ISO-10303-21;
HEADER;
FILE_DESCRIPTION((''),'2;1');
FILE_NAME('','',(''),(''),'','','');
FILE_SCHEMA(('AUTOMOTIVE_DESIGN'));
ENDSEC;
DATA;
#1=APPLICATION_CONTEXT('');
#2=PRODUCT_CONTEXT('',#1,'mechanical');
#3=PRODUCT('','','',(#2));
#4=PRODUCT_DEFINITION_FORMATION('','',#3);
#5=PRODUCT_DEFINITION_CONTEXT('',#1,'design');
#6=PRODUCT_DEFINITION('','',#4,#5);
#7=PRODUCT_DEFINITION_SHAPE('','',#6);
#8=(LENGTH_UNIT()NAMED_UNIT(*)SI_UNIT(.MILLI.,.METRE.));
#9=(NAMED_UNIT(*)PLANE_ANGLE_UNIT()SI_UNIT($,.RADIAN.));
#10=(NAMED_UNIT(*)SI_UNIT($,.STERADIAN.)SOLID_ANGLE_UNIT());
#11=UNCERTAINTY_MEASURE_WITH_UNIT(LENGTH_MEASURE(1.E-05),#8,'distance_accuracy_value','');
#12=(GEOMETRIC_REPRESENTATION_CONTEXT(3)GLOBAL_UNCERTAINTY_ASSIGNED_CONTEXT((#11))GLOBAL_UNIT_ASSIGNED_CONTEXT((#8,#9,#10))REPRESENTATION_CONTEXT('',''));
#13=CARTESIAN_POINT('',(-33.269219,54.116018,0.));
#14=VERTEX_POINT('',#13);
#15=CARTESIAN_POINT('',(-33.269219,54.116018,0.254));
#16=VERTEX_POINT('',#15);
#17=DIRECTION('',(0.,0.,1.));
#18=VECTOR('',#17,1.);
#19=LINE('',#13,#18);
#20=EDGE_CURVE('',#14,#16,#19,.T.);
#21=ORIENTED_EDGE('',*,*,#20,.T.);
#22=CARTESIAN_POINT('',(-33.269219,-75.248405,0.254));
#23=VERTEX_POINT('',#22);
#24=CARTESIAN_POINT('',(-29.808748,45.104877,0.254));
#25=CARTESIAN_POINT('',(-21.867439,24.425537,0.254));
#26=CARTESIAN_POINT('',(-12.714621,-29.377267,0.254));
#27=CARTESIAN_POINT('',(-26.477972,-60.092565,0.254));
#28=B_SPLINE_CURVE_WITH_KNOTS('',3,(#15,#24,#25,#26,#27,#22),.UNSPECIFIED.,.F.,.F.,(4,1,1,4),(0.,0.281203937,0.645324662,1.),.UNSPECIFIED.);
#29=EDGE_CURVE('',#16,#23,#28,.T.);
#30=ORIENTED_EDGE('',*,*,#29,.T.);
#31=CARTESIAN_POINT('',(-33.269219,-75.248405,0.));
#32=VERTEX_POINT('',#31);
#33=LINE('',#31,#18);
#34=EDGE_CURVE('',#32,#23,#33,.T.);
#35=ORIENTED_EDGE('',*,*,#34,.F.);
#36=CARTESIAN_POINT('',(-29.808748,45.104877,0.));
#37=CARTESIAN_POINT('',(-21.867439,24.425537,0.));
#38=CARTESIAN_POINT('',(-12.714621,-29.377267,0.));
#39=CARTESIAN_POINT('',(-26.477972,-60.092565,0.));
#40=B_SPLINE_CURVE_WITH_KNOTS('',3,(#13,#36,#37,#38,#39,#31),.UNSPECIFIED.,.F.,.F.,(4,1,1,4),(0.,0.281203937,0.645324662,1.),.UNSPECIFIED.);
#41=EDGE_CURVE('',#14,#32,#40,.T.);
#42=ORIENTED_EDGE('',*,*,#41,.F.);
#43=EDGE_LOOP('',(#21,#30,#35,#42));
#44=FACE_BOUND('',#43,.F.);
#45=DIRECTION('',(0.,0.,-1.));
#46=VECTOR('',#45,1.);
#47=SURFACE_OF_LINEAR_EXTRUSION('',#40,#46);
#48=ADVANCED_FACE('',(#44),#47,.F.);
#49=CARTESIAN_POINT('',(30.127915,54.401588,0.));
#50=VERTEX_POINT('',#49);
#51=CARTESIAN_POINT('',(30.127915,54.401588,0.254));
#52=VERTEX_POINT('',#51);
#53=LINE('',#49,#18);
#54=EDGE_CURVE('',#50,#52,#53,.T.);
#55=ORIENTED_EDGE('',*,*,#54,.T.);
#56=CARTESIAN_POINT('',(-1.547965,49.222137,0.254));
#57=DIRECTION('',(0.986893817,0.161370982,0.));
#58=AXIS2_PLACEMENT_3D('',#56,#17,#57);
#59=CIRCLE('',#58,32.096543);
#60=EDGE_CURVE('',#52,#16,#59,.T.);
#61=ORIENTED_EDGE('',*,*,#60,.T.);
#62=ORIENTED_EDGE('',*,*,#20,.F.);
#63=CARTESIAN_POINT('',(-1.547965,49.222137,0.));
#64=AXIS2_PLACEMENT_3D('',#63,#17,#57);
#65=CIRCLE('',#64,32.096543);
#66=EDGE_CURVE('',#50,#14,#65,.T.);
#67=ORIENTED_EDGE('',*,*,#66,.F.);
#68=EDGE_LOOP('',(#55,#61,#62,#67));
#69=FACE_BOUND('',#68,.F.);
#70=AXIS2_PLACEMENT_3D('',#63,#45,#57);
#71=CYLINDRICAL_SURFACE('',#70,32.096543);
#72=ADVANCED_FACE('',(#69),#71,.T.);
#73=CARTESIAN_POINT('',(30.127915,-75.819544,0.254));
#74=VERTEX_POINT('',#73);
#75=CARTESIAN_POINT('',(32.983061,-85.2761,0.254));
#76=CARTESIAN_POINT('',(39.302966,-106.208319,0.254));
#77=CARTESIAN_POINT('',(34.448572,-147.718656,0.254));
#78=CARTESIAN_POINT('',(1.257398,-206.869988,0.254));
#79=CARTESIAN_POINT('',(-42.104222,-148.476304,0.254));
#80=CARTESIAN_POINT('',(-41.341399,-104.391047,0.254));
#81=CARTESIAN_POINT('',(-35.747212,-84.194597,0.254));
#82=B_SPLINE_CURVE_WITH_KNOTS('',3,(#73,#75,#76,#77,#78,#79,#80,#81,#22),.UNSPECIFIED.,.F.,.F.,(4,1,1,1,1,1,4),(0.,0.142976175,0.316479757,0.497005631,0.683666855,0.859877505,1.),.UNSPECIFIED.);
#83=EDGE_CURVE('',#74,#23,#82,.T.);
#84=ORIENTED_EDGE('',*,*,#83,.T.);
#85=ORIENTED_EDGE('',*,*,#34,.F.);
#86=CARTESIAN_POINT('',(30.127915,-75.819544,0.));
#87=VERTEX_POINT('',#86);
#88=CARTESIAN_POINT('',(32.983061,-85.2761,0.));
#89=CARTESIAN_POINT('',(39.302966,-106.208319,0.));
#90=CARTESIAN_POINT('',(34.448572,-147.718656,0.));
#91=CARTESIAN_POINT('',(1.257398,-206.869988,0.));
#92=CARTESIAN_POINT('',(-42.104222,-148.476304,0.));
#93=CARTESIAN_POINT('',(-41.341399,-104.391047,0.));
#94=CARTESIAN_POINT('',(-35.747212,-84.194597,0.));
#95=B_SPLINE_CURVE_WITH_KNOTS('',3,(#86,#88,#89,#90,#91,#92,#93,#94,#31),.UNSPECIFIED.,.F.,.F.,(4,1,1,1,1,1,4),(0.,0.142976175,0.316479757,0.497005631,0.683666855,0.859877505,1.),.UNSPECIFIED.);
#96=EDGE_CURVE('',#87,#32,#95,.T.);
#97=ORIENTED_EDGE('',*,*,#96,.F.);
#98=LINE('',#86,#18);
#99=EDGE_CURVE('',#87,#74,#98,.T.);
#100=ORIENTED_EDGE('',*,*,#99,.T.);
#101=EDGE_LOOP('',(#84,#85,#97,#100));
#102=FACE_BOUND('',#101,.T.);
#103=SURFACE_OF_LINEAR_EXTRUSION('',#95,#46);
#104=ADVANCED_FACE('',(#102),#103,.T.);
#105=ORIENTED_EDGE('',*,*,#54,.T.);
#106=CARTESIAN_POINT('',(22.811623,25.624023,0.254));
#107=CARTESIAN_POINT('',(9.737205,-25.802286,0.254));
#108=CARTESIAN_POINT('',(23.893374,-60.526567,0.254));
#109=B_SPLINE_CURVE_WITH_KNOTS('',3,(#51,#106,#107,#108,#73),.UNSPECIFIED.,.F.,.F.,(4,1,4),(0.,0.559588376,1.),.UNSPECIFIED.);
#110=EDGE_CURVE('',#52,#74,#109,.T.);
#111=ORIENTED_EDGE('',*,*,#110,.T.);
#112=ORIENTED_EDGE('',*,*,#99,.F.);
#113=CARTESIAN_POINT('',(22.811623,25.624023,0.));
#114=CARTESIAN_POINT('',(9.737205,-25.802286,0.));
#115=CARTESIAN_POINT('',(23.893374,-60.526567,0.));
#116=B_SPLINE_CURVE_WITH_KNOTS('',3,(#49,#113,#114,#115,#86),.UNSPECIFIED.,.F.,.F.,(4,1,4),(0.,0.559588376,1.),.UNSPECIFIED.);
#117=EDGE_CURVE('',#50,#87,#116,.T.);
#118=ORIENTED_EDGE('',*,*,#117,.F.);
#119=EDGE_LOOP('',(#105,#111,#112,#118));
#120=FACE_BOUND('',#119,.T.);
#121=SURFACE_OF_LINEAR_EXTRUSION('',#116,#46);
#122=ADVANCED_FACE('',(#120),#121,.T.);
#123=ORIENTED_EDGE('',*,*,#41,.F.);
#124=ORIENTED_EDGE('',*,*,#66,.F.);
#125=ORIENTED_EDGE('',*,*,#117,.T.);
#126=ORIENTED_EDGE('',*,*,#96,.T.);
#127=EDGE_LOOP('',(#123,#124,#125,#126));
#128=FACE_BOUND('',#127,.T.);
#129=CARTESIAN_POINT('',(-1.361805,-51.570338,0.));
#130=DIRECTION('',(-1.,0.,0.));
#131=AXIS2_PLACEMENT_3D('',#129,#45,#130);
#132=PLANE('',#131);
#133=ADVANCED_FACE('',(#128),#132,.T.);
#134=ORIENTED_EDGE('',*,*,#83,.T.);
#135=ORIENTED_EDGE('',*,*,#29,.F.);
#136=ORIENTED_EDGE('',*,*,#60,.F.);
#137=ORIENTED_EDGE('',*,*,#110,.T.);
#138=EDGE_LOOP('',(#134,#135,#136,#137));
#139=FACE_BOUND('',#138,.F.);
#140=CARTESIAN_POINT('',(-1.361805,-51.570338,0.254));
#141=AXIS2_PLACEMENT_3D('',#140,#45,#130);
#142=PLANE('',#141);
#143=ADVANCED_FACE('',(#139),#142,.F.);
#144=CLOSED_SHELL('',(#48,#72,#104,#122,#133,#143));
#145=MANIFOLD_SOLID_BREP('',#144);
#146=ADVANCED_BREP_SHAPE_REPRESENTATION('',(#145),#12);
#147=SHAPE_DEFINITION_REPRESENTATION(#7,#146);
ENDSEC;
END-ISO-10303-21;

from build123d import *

# Parameters (mm, degrees)
F1_DEPTH = 0.254


with BuildPart() as f1:
    # F0 (on Top) → F1 (new body)
    with BuildSketch(Plane.XY):
        with BuildLine():
            add(Edge.make_bspline(
                [(30.1279146224, 54.401587695), (22.8116225694, 25.6240228228), (9.7372050822, -25.8022863894), (23.8933735031, -60.5265674785), (30.1279146224, -75.8195444942)],
                knots=[0, 0, 0, 0, 0.5595883763, 1, 1, 1, 1], degree=3))
            ThreePointArc((30.1279146224, 54.401587695), (-1.6925407877, 81.3183540753), (-33.2692191005, 54.1160181165))
            add(Edge.make_bspline(
                [(-33.2692191005, 54.1160181165), (-29.8087479275, 45.1048768039), (-21.8674387935, 24.4255371312), (-12.7146207417, -29.3772670797), (-26.4779723942, -60.0925647236), (-33.2692191005, -75.2484053373)],
                knots=[0, 0, 0, 0, 0.2812039366, 0.6453246621, 1, 1, 1, 1], degree=3))
            add(Edge.make_bspline(
                [(30.1279146224, -75.8195444942), (32.9830606237, -85.2761004768), (39.3029661035, -106.2083189859), (34.4485721566, -147.7186561859), (1.2573975442, -206.8699875185), (-42.1042223657, -148.4763036143), (-41.3413989265, -104.3910474609), (-35.7472123097, -84.1945971761), (-33.2692191005, -75.2484053373)],
                knots=[0, 0, 0, 0, 0.142976175, 0.3164797567, 0.4970056306, 0.6836668551, 0.8598775052, 1, 1, 1, 1], degree=3))
        make_face()
    extrude(amount=F1_DEPTH)


solid = f1.part
